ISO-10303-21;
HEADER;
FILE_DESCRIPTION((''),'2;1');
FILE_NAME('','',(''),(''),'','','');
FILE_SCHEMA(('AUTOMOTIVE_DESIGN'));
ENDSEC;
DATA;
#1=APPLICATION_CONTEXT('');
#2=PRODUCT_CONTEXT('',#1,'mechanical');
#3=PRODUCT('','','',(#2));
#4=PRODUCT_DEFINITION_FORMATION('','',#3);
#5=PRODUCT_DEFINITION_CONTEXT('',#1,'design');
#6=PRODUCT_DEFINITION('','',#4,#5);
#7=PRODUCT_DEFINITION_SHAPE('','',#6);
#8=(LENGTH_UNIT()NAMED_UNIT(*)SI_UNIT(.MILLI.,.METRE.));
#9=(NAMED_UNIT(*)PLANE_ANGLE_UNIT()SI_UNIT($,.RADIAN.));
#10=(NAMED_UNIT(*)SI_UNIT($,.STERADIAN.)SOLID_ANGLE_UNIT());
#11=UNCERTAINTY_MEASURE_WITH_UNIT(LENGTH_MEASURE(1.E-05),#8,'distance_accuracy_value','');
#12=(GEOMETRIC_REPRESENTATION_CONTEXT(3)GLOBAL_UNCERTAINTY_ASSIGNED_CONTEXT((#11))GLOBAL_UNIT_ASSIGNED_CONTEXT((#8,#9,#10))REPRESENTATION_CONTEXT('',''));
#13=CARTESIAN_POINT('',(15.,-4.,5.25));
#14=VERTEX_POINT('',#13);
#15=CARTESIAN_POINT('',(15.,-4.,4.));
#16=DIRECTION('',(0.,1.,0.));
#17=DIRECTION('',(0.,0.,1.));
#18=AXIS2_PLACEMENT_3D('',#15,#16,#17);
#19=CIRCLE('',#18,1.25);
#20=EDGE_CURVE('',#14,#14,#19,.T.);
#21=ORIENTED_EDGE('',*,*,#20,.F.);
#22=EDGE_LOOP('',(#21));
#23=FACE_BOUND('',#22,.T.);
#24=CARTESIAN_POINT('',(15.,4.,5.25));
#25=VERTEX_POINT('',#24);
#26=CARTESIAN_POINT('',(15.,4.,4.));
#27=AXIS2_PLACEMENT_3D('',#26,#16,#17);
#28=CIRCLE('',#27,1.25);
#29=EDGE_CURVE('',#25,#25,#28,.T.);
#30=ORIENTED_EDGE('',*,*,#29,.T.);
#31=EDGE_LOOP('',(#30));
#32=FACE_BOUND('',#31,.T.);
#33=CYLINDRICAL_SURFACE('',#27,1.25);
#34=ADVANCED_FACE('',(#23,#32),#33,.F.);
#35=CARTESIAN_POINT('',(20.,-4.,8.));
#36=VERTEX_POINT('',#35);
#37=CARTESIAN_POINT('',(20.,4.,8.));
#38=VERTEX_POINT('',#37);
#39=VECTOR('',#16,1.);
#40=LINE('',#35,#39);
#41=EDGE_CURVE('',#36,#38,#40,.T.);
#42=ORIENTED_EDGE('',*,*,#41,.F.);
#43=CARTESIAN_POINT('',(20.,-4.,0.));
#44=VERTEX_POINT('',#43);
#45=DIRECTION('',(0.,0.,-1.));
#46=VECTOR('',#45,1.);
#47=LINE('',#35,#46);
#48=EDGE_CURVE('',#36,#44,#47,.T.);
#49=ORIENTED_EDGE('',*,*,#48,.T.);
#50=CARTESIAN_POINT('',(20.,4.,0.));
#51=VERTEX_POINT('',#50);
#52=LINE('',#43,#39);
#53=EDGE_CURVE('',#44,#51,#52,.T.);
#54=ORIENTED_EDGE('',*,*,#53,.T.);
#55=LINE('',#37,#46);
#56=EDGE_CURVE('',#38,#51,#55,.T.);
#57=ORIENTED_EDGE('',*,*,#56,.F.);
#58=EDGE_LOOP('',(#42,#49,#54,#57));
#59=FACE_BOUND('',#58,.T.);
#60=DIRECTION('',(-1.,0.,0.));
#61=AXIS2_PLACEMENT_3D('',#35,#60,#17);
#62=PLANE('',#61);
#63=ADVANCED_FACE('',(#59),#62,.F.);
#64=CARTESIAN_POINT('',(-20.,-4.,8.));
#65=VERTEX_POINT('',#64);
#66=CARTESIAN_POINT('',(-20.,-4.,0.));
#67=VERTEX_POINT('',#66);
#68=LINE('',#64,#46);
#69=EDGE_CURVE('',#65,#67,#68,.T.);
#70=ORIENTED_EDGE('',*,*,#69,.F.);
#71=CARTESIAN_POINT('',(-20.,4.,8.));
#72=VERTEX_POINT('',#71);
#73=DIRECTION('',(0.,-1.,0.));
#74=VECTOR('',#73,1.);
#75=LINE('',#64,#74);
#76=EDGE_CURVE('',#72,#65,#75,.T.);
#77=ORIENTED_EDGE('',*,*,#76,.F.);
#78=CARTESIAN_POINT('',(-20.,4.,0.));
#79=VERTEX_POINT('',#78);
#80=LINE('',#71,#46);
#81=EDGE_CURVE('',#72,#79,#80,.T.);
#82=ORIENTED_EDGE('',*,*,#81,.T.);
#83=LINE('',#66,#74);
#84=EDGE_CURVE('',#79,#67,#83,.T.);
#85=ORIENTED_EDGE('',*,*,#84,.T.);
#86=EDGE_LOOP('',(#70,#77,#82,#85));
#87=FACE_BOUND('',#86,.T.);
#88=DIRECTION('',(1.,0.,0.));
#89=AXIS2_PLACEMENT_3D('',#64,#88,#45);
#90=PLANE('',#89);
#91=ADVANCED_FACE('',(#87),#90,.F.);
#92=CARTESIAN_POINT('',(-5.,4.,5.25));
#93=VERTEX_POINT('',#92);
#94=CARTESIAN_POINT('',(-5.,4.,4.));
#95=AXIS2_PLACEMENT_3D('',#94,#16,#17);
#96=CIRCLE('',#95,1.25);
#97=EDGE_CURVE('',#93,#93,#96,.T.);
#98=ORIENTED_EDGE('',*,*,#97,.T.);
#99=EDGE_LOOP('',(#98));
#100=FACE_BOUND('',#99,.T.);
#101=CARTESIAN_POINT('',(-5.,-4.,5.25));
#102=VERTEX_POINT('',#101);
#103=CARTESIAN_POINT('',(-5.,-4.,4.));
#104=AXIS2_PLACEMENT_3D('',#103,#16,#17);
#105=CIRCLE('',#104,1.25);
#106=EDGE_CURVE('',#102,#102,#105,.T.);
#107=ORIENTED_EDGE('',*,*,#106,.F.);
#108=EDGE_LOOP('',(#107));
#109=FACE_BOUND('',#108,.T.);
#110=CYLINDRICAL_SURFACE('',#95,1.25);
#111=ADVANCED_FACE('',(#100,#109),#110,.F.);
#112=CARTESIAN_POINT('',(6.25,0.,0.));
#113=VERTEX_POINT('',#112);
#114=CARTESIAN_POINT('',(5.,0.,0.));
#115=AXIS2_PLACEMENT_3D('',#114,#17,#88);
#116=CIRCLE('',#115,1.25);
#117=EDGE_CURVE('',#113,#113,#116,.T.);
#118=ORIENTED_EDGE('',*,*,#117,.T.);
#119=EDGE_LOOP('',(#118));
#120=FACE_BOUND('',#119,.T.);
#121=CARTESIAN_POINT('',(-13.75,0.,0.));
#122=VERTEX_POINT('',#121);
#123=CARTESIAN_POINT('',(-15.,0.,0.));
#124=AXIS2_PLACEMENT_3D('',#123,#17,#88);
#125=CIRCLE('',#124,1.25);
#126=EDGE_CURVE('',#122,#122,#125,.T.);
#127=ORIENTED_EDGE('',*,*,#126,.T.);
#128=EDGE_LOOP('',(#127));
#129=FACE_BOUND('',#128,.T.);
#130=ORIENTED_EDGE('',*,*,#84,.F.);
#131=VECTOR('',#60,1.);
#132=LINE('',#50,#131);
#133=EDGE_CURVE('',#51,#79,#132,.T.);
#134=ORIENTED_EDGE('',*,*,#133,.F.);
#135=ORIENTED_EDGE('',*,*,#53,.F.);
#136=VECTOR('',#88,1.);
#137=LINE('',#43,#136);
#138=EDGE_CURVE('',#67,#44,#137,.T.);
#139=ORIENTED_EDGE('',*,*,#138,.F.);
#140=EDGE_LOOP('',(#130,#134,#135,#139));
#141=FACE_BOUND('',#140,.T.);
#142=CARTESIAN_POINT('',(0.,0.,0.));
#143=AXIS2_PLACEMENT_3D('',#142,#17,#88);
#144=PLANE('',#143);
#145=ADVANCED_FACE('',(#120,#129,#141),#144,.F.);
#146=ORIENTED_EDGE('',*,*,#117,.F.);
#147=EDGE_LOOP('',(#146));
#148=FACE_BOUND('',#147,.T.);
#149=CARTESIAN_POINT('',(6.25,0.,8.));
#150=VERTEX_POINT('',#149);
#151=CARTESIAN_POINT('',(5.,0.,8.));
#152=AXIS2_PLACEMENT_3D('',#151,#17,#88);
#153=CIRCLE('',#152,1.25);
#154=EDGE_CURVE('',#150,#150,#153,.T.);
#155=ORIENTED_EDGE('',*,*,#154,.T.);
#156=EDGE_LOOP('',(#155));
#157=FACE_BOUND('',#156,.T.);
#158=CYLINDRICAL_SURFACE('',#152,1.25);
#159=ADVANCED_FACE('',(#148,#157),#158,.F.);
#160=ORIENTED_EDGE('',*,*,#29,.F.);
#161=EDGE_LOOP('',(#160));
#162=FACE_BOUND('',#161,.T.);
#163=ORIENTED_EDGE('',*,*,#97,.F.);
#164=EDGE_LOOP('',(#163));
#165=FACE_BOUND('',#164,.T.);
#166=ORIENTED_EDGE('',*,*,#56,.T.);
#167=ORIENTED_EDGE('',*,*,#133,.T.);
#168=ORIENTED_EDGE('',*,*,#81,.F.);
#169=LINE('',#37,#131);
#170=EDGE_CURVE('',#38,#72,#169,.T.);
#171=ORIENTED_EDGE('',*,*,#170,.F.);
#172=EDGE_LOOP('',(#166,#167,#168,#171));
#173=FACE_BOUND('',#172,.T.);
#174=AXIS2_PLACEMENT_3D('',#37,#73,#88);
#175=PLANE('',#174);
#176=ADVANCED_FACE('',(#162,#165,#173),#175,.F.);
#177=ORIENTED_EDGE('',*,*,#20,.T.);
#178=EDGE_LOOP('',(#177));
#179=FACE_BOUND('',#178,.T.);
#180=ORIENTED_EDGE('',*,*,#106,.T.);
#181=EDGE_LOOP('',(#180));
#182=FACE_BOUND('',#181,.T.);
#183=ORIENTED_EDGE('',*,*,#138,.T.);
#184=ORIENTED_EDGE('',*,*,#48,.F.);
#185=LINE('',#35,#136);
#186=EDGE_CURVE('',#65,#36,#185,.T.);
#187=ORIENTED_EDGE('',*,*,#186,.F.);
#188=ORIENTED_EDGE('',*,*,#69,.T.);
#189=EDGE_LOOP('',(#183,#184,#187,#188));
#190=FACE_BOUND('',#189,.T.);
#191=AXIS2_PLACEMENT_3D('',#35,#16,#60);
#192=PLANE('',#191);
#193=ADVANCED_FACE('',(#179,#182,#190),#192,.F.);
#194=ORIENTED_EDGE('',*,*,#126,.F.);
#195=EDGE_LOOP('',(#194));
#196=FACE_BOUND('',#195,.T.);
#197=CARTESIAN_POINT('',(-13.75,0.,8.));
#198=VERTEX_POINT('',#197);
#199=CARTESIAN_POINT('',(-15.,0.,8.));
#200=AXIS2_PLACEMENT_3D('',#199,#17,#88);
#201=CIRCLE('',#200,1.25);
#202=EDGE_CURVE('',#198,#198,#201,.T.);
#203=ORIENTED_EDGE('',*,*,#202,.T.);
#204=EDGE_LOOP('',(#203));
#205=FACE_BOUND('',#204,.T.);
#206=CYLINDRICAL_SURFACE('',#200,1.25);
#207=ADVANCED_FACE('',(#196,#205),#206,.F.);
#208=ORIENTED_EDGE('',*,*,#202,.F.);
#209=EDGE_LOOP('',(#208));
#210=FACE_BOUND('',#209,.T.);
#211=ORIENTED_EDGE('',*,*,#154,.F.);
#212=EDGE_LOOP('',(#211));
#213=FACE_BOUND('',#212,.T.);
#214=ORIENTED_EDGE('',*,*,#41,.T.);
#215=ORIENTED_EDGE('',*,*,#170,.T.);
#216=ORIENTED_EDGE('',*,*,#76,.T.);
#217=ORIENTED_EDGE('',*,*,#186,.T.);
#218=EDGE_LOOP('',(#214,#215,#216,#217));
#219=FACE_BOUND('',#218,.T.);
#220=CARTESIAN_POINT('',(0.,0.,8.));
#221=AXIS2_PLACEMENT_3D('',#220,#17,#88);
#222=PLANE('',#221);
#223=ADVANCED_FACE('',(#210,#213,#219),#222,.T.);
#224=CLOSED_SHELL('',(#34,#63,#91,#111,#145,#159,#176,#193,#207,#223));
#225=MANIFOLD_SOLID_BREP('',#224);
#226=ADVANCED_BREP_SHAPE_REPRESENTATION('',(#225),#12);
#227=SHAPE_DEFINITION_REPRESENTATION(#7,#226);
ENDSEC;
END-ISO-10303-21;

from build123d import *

# Parameters (mm, degrees)
SKETCH_1_W                   = 40
SKETCH_1_H                   = 8
EXTRUDE_1_DEPTH              = 8
HOLE_WIZARD_M3_1_D           = 2.5
HOLE_WIZARD_M3_1_ON_FACE_2_D = 2.5


with BuildPart() as part:
    # 草图1 → 凸台-拉伸1 (new body)
    with BuildSketch(Plane.XY):
        Rectangle(SKETCH_1_W, SKETCH_1_H)
    extrude(amount=EXTRUDE_1_DEPTH)

    # M3 螺纹孔的螺纹孔钻头1 (through all)
    with Locations(Plane(origin=(-5, 4, 4), x_dir=(1, 0, 0), z_dir=(0, 1, 0))):
        with Locations((0, 0), (20, 0)):
            Hole(HOLE_WIZARD_M3_1_D / 2)

    # M3 螺纹孔的螺纹孔钻头1 on face 2 (through all)
    with Locations(Plane(origin=(5, 0, 8), x_dir=(1, 0, 0), z_dir=(0, 0, 1))):
        with Locations((0, 0), (-20, 0)):
            Hole(HOLE_WIZARD_M3_1_ON_FACE_2_D / 2)


solid = part.part
